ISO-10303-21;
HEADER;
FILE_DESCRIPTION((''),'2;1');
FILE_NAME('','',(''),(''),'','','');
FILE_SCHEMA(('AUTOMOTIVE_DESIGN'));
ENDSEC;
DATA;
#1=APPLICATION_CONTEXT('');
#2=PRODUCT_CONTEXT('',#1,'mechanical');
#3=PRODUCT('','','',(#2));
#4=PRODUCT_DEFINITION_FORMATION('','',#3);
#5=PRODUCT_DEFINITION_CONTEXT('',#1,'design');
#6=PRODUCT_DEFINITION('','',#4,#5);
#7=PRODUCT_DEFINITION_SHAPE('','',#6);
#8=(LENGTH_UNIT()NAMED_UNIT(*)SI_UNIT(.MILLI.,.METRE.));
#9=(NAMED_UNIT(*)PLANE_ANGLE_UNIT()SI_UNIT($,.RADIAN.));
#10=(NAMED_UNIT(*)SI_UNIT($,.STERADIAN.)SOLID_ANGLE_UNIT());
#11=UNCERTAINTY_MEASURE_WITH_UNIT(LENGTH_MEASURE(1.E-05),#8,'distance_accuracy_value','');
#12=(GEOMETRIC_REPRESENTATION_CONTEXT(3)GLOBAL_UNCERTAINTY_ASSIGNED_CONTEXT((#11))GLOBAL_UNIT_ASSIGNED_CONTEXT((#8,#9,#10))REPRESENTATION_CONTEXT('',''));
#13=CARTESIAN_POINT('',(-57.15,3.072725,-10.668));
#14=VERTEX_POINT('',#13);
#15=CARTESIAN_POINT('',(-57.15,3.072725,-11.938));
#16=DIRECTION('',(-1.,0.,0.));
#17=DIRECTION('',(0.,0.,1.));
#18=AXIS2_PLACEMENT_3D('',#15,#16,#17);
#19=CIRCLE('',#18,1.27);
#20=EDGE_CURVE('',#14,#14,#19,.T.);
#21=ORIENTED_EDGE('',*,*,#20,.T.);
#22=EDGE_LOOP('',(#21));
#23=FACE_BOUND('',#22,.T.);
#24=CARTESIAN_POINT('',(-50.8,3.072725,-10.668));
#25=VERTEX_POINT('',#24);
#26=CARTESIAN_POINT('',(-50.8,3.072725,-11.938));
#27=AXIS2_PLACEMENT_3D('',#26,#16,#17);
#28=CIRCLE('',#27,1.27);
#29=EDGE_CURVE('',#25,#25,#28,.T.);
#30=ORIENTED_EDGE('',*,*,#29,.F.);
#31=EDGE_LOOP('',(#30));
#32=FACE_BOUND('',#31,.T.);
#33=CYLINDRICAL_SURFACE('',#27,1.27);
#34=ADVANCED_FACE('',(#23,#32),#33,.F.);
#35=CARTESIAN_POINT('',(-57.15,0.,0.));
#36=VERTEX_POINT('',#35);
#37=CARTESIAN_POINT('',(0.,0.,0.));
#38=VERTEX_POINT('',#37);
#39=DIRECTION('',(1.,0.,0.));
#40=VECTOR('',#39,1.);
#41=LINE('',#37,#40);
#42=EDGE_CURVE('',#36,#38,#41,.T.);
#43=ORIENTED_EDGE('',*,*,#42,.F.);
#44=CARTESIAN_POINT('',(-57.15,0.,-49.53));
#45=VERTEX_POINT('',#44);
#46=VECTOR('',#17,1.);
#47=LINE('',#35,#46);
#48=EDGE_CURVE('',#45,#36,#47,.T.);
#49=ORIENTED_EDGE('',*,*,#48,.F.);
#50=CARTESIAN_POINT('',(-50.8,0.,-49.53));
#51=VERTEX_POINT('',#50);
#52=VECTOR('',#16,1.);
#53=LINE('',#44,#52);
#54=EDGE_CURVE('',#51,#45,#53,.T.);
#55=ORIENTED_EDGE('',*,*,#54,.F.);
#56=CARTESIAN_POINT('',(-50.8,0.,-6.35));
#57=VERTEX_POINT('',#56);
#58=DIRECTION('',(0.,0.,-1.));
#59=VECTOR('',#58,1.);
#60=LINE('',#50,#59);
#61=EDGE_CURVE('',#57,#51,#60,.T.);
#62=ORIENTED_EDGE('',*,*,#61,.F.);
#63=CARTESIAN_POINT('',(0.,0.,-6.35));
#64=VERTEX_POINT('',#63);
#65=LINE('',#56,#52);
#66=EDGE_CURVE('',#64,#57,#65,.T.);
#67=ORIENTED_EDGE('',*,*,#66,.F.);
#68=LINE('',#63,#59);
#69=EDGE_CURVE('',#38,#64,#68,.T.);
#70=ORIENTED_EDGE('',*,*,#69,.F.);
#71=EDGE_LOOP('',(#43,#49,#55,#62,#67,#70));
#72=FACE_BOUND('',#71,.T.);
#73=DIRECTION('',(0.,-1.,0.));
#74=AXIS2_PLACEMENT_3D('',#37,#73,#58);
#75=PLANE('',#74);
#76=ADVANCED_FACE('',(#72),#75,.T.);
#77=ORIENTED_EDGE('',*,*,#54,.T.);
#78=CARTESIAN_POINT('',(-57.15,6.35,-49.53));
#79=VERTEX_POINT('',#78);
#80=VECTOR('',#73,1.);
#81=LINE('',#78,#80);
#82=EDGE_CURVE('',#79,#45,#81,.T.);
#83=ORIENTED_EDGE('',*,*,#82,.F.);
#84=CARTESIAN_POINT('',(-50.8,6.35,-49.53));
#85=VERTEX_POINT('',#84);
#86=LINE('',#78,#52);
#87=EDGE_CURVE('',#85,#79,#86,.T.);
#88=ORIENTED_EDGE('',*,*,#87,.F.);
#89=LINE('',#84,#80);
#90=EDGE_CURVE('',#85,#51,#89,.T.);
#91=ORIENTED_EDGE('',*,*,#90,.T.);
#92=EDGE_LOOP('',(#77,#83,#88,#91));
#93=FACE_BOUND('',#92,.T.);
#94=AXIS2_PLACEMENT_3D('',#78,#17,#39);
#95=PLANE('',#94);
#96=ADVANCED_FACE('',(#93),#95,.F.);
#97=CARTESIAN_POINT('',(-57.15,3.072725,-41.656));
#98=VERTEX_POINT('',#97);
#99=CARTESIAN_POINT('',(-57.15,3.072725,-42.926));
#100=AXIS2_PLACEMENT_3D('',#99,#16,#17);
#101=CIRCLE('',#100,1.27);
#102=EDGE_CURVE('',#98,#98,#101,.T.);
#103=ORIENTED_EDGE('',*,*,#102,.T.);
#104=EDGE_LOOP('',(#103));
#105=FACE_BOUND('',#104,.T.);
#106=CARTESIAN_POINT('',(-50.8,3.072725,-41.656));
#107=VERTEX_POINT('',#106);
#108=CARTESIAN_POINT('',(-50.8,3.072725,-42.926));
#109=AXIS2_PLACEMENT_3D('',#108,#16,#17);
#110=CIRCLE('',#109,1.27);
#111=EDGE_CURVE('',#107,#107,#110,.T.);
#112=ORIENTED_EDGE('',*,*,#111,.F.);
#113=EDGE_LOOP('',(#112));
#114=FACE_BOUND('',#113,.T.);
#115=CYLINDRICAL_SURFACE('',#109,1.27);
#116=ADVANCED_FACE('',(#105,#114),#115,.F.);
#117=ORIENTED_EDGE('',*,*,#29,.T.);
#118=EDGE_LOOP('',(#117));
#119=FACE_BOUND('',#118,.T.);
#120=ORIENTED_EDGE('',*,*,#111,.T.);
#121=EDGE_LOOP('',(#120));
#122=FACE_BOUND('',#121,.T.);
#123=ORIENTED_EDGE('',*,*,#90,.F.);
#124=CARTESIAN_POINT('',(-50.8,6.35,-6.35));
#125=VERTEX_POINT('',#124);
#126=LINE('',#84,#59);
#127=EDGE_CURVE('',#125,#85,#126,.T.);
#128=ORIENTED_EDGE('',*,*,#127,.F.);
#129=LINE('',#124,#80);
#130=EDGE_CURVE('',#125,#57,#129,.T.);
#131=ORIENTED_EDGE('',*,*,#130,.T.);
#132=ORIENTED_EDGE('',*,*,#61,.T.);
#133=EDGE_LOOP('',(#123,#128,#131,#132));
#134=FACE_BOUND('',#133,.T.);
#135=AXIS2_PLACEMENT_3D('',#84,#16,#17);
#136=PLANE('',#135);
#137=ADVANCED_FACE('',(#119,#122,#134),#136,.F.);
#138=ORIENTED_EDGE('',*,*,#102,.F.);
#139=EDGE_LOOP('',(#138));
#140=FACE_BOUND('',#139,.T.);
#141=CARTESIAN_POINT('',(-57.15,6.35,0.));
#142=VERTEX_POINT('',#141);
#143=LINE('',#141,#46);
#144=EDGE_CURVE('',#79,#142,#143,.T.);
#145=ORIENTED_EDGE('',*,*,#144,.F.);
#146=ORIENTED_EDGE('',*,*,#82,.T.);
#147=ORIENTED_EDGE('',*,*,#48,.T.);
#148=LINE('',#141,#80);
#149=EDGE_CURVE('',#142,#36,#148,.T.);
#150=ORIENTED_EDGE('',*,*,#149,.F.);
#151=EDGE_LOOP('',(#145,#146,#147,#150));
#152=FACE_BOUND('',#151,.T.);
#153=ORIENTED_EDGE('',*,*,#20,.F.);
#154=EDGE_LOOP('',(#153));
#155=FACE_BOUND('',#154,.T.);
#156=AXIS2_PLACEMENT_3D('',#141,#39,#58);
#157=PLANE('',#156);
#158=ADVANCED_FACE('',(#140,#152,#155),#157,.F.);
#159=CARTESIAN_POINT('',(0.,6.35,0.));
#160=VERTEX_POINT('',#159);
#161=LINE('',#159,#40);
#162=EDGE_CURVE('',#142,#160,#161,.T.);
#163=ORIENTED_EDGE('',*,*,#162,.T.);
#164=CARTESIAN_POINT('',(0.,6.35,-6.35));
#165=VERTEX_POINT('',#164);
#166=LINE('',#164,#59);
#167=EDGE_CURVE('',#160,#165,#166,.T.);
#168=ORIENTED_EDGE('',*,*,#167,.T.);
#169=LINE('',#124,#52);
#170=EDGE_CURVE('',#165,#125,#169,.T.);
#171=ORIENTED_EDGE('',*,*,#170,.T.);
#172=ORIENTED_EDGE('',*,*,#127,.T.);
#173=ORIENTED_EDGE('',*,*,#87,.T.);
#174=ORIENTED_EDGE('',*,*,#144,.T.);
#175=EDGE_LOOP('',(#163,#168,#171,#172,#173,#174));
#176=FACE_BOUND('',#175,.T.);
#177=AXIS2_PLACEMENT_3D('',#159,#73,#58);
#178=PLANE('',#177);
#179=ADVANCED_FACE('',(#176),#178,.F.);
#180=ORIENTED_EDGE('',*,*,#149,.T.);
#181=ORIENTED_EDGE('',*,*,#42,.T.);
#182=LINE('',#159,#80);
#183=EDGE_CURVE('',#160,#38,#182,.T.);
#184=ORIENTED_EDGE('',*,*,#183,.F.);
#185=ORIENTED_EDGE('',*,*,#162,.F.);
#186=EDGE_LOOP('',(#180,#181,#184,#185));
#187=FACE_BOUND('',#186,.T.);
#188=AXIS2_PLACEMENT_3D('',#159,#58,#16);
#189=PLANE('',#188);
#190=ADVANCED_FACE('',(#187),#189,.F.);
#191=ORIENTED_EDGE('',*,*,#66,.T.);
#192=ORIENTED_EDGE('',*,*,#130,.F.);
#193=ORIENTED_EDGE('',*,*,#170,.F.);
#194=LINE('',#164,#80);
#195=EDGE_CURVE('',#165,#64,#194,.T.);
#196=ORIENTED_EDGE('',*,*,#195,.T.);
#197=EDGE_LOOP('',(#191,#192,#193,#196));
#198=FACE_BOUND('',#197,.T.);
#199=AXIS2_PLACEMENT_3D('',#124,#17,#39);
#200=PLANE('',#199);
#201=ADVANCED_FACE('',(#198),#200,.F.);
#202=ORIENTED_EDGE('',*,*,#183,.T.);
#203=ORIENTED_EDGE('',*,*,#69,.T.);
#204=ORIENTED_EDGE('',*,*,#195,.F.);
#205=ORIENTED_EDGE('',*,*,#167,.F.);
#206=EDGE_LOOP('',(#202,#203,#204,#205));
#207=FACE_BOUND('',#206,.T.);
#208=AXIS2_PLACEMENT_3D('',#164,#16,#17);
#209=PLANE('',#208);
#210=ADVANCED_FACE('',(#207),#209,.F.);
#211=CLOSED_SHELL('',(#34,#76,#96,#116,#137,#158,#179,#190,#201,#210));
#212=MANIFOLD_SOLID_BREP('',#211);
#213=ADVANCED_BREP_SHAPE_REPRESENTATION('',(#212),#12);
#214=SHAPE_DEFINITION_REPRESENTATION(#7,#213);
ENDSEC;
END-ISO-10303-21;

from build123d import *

# Parameters (mm, degrees)
BOSS_EXTRUDE1_DEPTH = 6.35
SKETCH3_R           = 1.27
CUT_EXTRUDE2_DEPTH  = 6.35


with BuildPart() as part:
    # Sketch1 → Boss-Extrude1 (new body)
    with BuildSketch(Plane(origin=(0, 0, 0), x_dir=(1, 0, 0), z_dir=(0, 1, 0))):
        Polygon((0, 0), (-57.15, 0), (-57.15, 49.53), (-50.8, 49.53), (-50.8, 6.35), (0, 6.35), align=None)
    extrude(amount=BOSS_EXTRUDE1_DEPTH)

    # Sketch3 → Cut-Extrude2 (cut)
    with BuildSketch(Plane.ZY.offset(57.15)):
        with Locations((-42.926, 3.072725117)):
            Circle(SKETCH3_R)
        with Locations((-11.938, 3.072725117)):
            Circle(SKETCH3_R)
    extrude(amount=-CUT_EXTRUDE2_DEPTH, mode=Mode.SUBTRACT)


solid = part.part
